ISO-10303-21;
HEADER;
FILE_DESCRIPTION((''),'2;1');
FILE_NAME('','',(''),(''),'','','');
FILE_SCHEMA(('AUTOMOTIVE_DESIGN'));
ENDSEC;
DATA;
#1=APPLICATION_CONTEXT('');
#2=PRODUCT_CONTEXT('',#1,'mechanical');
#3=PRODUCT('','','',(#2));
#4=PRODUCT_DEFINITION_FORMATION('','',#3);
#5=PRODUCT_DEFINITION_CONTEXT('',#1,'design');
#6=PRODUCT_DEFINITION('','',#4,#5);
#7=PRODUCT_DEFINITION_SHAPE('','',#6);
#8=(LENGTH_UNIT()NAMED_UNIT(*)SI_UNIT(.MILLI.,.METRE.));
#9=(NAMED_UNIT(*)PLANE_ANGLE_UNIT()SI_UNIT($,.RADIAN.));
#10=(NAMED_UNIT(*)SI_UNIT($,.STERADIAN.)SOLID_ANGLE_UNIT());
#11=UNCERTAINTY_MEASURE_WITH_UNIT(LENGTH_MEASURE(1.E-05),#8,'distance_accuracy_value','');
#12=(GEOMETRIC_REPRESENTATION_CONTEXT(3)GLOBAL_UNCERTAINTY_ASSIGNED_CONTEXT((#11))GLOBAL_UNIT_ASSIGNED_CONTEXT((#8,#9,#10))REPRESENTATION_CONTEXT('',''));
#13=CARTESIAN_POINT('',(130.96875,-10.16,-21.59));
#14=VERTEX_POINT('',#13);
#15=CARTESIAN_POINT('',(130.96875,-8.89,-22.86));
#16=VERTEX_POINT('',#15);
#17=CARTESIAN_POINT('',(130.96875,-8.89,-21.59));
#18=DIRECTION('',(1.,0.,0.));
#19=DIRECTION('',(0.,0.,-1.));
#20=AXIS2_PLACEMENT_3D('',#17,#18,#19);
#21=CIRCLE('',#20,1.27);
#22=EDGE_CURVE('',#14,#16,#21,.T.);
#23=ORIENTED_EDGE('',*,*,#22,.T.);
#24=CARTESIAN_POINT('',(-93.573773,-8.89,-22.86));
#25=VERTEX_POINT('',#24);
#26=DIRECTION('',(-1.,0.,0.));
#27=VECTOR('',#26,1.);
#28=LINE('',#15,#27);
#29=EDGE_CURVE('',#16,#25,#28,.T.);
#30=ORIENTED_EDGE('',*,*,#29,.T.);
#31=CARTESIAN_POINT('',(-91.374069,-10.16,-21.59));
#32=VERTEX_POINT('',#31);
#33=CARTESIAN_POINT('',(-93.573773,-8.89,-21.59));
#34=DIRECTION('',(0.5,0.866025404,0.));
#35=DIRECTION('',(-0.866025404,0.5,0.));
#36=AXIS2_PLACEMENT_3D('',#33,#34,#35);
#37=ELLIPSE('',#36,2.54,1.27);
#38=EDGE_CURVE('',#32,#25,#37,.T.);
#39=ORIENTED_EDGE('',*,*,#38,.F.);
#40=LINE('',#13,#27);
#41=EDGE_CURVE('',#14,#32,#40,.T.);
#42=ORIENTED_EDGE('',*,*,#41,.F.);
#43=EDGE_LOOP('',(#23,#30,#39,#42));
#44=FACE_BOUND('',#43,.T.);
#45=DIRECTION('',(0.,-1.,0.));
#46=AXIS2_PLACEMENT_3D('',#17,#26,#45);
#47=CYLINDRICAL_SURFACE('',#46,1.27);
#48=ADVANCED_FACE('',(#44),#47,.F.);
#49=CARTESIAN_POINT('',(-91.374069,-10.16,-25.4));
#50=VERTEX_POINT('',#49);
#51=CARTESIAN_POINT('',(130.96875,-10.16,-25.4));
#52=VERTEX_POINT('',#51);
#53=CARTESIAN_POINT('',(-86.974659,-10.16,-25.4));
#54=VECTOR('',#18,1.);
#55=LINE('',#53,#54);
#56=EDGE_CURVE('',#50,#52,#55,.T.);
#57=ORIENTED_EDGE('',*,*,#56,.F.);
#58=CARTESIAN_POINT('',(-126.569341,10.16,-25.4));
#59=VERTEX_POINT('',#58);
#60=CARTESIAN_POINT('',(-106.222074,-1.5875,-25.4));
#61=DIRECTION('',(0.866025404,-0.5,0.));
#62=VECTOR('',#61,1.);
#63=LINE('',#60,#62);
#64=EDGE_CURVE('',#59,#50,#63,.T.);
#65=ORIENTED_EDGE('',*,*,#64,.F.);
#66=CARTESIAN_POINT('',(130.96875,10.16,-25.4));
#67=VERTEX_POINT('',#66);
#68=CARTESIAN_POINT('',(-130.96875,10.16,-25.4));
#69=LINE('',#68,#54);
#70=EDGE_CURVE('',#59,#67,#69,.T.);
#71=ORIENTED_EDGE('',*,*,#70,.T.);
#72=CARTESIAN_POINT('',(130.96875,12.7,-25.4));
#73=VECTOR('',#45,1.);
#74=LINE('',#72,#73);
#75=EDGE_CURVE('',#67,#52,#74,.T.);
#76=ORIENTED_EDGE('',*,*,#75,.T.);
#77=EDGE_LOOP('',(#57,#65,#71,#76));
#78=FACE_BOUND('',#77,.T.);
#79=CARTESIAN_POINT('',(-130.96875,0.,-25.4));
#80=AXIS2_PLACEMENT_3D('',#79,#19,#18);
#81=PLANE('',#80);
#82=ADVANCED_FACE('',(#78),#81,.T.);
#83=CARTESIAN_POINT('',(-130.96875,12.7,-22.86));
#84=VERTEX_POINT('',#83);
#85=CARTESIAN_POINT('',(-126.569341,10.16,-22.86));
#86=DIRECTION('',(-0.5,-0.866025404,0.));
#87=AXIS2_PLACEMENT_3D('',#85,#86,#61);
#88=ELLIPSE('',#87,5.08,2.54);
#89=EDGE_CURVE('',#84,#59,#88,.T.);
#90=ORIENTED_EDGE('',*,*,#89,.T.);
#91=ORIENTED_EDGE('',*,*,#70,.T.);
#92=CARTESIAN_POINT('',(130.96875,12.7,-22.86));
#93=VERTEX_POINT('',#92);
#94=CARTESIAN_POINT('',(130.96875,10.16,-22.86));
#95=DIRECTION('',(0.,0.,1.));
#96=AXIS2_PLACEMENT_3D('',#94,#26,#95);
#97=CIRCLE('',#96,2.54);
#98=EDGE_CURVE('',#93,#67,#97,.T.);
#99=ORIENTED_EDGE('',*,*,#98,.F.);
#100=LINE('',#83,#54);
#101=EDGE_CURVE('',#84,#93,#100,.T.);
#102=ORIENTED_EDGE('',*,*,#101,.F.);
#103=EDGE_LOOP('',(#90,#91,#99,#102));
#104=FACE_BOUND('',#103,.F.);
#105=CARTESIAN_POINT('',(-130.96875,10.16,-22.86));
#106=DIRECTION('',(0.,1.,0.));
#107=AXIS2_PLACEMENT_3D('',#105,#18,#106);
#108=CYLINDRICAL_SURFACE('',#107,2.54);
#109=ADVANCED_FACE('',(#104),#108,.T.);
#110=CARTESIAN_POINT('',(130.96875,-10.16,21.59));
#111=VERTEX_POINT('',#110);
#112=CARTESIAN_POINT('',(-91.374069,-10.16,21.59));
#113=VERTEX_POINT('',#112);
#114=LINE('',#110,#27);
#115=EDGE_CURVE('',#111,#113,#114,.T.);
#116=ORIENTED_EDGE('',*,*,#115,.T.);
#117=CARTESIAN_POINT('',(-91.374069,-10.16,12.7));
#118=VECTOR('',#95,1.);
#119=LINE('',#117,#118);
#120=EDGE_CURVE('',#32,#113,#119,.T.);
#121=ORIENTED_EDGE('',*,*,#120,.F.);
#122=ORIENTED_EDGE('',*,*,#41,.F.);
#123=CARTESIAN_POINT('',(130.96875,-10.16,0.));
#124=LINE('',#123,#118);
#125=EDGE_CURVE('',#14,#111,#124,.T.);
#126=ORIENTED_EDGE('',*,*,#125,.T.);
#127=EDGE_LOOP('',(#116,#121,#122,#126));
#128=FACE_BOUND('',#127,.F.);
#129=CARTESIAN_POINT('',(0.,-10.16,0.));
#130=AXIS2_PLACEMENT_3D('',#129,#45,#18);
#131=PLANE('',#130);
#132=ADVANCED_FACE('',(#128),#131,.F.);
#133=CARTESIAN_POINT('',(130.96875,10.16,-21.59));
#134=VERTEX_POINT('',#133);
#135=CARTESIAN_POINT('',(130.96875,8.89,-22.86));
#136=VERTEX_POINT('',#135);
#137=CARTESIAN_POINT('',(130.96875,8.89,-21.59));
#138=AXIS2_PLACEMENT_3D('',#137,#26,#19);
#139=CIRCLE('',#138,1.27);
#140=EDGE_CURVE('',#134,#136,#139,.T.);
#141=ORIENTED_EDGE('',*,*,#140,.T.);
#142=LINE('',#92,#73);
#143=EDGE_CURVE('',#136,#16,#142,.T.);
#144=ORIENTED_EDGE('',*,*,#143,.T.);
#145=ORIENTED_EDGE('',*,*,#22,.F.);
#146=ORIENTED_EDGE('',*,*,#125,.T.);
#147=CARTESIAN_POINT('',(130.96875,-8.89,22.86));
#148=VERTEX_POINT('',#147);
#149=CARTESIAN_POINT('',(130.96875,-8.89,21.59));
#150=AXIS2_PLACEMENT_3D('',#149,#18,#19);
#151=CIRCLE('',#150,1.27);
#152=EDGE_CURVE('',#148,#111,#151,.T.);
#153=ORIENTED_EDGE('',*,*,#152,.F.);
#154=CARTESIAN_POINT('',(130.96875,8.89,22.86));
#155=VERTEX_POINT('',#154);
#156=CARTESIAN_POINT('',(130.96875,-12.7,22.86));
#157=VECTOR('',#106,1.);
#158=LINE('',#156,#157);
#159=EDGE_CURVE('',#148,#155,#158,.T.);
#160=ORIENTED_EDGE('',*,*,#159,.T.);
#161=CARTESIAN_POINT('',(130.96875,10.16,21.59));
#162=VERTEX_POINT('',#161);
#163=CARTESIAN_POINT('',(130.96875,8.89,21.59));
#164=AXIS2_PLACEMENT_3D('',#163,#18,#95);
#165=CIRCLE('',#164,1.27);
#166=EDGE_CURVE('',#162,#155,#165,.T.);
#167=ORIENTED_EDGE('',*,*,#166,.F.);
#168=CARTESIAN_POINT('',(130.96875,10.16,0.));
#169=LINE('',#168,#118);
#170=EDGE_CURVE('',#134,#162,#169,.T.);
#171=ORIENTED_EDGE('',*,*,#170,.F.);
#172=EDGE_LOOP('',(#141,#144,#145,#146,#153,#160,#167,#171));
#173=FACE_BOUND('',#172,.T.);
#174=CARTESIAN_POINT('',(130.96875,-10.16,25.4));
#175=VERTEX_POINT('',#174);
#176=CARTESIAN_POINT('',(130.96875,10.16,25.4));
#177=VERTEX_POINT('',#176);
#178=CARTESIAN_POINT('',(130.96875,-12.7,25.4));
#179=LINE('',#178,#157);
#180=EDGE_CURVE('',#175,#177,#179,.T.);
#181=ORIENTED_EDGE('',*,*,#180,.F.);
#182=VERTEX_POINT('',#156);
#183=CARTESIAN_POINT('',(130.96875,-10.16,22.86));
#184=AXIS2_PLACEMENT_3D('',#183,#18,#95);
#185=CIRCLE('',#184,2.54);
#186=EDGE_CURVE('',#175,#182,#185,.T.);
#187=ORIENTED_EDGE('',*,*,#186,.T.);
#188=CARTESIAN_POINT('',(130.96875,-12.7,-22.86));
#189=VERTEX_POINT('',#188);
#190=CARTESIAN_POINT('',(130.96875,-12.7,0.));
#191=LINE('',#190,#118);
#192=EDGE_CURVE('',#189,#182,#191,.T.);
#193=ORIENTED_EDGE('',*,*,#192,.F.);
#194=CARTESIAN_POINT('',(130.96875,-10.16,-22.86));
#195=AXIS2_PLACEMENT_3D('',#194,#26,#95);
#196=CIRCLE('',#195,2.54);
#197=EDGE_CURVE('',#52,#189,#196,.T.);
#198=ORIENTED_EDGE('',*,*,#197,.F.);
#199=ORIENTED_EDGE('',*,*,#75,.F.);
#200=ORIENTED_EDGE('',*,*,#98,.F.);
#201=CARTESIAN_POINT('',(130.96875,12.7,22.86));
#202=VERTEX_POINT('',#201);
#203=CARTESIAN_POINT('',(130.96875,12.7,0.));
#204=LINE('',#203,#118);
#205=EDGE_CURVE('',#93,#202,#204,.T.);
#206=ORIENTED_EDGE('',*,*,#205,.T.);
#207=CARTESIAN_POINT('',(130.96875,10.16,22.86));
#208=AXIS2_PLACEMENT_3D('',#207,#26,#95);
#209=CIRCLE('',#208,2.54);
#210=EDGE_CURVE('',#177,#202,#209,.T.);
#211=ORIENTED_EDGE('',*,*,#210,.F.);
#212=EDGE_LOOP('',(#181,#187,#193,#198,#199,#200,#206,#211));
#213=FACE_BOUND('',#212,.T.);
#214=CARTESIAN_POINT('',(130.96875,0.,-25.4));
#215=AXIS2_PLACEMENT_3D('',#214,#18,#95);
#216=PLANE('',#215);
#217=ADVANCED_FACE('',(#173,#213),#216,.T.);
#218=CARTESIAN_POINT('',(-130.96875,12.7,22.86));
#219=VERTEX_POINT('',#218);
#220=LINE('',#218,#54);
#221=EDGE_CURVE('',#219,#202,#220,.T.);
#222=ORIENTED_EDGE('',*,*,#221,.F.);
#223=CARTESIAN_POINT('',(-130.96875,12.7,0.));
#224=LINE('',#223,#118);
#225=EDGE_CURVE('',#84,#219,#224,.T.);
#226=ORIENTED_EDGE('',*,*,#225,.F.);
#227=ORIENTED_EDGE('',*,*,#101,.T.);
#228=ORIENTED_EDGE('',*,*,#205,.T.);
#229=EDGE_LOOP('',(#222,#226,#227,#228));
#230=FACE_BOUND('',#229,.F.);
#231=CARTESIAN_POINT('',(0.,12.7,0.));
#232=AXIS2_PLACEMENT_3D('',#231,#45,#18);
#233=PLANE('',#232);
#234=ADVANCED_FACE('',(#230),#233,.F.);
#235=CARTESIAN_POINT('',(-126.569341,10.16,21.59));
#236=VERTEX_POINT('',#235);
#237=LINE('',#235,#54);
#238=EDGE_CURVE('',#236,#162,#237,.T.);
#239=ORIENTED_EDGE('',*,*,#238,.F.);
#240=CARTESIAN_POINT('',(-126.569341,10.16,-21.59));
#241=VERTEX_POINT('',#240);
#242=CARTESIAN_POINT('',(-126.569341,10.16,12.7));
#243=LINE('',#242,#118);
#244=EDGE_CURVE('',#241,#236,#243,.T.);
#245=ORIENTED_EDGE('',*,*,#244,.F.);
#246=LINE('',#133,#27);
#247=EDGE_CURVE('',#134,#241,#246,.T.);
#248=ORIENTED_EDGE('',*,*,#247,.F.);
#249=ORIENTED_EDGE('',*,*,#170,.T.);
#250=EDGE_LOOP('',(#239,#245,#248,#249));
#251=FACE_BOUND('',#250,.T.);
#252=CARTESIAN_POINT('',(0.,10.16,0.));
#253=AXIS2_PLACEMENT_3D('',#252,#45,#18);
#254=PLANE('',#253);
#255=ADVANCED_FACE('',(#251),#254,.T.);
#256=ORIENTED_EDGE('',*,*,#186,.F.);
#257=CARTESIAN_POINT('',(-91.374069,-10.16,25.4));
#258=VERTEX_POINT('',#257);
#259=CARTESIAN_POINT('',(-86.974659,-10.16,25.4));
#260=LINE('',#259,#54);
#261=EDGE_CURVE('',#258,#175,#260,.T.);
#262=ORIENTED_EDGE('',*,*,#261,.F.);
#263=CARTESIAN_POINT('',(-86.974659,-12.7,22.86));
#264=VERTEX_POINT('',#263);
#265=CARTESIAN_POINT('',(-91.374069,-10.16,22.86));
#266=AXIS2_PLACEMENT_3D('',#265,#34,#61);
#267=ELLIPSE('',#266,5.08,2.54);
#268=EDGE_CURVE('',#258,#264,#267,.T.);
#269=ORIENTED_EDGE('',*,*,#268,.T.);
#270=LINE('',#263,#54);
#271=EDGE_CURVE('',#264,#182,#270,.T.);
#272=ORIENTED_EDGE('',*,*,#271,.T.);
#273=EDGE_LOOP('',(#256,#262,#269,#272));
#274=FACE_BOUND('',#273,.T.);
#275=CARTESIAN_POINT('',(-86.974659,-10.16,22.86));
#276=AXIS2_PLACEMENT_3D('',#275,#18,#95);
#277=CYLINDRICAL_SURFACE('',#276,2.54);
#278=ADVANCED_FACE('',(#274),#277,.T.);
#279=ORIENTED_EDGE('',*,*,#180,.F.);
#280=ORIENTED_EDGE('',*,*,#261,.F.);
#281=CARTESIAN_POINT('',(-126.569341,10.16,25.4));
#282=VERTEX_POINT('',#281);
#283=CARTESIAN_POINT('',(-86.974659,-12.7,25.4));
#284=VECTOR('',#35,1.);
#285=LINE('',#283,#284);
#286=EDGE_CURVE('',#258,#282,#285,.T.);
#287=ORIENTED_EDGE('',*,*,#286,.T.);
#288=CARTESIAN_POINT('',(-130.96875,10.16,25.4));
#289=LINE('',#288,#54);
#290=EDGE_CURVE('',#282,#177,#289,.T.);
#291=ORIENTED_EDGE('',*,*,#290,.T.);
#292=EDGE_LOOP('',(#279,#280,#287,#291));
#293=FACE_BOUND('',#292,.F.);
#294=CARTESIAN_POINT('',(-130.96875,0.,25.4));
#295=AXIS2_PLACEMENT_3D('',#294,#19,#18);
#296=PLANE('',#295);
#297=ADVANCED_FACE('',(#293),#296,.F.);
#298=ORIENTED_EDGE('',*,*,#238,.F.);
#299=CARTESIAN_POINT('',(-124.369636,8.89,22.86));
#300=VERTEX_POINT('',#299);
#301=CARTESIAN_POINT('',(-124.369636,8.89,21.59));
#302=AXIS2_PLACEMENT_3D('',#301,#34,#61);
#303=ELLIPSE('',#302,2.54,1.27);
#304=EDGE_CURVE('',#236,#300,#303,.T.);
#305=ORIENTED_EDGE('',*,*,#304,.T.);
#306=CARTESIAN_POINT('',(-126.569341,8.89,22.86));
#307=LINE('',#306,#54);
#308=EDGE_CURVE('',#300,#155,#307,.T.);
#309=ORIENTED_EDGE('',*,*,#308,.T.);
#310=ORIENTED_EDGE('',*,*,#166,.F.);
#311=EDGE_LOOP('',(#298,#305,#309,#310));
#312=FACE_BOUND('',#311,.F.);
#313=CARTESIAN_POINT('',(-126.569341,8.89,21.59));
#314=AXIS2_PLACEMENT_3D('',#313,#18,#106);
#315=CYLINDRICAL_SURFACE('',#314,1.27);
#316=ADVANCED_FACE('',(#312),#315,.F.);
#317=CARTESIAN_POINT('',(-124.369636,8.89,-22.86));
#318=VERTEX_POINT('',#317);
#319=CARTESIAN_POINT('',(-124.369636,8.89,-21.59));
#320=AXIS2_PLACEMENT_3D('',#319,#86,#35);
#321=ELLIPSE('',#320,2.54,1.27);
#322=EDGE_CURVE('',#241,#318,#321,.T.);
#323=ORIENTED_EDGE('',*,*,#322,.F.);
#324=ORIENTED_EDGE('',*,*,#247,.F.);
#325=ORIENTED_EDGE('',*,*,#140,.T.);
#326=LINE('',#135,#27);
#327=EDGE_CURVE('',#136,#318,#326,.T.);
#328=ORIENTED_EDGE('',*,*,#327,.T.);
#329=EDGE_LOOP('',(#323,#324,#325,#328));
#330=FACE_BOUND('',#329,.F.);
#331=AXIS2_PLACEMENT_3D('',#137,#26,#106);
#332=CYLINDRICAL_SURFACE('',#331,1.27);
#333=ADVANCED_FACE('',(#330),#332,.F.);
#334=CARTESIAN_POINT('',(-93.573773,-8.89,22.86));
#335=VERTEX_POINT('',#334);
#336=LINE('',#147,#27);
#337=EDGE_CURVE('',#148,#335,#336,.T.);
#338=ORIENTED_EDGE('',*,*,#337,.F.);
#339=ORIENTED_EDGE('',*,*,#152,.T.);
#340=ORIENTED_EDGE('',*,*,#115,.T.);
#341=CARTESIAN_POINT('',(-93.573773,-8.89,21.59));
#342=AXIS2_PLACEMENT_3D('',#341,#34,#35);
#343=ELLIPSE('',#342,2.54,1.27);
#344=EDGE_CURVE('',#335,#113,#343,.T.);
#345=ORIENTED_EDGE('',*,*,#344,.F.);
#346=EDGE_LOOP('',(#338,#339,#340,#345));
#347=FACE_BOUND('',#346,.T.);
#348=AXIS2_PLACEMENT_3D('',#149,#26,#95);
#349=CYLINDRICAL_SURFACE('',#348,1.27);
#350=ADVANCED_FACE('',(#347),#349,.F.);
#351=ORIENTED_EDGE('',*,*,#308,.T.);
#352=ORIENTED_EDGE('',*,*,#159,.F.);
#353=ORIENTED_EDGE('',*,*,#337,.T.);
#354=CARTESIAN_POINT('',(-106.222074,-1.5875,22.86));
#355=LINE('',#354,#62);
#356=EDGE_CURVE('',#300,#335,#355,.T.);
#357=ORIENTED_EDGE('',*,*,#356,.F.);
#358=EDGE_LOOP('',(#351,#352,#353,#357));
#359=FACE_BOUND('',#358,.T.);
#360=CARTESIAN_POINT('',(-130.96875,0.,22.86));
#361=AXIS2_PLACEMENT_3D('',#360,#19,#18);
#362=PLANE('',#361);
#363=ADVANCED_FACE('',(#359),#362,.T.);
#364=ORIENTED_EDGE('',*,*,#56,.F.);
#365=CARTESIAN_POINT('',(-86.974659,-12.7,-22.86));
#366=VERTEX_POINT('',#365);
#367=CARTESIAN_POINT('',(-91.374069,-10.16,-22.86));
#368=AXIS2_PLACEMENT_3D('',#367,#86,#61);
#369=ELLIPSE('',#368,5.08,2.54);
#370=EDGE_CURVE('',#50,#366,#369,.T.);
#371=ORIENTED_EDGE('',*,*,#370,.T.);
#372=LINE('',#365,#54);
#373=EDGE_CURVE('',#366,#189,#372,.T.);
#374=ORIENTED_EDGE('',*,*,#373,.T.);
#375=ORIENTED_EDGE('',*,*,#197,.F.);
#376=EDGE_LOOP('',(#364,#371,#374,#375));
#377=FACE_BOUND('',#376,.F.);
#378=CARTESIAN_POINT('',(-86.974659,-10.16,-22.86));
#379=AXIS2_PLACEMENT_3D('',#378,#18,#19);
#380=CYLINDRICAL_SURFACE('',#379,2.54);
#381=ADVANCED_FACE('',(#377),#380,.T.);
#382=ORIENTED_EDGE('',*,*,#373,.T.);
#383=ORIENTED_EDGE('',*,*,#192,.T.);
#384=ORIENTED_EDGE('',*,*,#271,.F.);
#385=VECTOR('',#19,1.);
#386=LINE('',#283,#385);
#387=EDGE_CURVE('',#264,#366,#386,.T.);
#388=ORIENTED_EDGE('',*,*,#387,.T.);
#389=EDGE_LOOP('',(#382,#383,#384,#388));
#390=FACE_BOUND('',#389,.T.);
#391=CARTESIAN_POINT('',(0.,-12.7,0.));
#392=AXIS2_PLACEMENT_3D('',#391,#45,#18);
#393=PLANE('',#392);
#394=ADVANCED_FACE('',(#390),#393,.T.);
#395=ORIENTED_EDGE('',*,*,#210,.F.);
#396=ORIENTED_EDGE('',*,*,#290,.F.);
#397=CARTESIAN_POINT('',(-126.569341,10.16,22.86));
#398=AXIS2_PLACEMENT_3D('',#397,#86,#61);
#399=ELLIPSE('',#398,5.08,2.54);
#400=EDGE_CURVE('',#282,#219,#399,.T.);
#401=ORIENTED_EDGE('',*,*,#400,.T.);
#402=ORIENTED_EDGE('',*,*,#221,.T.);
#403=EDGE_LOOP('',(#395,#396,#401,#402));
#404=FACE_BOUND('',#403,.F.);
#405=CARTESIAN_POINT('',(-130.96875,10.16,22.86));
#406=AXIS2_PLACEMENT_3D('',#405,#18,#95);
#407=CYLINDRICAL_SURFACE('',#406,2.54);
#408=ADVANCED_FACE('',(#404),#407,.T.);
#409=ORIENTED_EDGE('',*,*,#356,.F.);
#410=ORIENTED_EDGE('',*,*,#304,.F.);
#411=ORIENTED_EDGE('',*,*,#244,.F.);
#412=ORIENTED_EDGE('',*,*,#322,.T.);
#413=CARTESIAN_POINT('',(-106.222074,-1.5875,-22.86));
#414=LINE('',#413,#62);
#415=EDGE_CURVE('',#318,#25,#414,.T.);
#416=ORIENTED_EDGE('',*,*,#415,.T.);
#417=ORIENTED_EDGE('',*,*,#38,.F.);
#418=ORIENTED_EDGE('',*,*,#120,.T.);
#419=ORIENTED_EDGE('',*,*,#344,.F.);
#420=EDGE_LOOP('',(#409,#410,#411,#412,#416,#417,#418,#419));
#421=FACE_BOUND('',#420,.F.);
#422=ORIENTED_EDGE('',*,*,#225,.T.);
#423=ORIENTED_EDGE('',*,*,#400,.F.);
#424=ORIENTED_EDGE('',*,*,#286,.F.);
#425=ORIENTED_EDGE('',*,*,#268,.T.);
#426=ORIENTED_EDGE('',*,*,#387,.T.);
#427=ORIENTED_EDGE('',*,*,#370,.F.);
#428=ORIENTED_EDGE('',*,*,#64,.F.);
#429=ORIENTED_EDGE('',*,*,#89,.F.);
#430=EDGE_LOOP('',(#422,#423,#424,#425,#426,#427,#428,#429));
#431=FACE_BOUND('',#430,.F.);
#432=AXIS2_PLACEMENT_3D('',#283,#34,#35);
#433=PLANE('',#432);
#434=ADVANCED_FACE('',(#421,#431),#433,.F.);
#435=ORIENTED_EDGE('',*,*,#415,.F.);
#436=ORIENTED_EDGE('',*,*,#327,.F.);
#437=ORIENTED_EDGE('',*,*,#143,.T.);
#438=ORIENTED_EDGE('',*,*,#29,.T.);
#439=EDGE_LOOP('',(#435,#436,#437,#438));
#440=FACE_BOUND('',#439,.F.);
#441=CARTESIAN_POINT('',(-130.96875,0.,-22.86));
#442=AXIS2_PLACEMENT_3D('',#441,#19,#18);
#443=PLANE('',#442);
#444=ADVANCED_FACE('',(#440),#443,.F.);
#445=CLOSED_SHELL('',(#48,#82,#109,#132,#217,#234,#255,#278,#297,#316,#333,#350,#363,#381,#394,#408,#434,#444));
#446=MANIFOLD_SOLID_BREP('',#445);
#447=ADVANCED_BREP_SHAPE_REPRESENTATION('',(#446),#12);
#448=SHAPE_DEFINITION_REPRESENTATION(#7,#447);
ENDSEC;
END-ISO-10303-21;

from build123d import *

# Parameters (mm, degrees)
F0_W     = 261.9375
F0_H     = 50.8
F1_DEPTH = 12.7
F2_T     = -2.54
F4_DEPTH = 50.801
F5_R     = 1.27
F6_R     = 2.54


with BuildPart() as f1:
    # F0 (on Front) → F1 (new body, symmetric)
    with BuildSketch(Plane.XZ):
        Rectangle(F0_W, F0_H)
    extrude(amount=F1_DEPTH, both=True)

    # F2
    f2_openings = [f1.faces().sort_by_distance(p)[0] for p in [
        (-130.96875, 0, 0),
        (130.96875, 0, 0),
    ]]
    offset(amount=F2_T, openings=f2_openings)

    # F3 (on face) → F4 (cut, through all)
    with BuildSketch(Plane.XY.offset(25.4)):
        Polygon((-86.9746594878, -12.7), (-130.96875, 12.7), (-130.96875, -12.7), align=None)
    extrude(amount=-F4_DEPTH, mode=Mode.SUBTRACT)

    # F5
    f5_edges = [f1.edges().sort_by_distance(p)[0] for p in [
        (2.199705, 10.16, -22.86),
        (2.199705, 10.16, 22.86),
        (19.797341, -10.16, 22.86),
        (19.797341, -10.16, -22.86),
    ]]
    fillet(f5_edges, radius=F5_R)

    # F6
    f6_edges = [f1.edges().sort_by_distance(p)[0] for p in [
        (21.997045, -12.7, 25.4),
        (0, 12.7, 25.4),
        (0, 12.7, -25.4),
        (21.997045, -12.7, -25.4),
    ]]
    fillet(f6_edges, radius=F6_R)


solid = f1.part
